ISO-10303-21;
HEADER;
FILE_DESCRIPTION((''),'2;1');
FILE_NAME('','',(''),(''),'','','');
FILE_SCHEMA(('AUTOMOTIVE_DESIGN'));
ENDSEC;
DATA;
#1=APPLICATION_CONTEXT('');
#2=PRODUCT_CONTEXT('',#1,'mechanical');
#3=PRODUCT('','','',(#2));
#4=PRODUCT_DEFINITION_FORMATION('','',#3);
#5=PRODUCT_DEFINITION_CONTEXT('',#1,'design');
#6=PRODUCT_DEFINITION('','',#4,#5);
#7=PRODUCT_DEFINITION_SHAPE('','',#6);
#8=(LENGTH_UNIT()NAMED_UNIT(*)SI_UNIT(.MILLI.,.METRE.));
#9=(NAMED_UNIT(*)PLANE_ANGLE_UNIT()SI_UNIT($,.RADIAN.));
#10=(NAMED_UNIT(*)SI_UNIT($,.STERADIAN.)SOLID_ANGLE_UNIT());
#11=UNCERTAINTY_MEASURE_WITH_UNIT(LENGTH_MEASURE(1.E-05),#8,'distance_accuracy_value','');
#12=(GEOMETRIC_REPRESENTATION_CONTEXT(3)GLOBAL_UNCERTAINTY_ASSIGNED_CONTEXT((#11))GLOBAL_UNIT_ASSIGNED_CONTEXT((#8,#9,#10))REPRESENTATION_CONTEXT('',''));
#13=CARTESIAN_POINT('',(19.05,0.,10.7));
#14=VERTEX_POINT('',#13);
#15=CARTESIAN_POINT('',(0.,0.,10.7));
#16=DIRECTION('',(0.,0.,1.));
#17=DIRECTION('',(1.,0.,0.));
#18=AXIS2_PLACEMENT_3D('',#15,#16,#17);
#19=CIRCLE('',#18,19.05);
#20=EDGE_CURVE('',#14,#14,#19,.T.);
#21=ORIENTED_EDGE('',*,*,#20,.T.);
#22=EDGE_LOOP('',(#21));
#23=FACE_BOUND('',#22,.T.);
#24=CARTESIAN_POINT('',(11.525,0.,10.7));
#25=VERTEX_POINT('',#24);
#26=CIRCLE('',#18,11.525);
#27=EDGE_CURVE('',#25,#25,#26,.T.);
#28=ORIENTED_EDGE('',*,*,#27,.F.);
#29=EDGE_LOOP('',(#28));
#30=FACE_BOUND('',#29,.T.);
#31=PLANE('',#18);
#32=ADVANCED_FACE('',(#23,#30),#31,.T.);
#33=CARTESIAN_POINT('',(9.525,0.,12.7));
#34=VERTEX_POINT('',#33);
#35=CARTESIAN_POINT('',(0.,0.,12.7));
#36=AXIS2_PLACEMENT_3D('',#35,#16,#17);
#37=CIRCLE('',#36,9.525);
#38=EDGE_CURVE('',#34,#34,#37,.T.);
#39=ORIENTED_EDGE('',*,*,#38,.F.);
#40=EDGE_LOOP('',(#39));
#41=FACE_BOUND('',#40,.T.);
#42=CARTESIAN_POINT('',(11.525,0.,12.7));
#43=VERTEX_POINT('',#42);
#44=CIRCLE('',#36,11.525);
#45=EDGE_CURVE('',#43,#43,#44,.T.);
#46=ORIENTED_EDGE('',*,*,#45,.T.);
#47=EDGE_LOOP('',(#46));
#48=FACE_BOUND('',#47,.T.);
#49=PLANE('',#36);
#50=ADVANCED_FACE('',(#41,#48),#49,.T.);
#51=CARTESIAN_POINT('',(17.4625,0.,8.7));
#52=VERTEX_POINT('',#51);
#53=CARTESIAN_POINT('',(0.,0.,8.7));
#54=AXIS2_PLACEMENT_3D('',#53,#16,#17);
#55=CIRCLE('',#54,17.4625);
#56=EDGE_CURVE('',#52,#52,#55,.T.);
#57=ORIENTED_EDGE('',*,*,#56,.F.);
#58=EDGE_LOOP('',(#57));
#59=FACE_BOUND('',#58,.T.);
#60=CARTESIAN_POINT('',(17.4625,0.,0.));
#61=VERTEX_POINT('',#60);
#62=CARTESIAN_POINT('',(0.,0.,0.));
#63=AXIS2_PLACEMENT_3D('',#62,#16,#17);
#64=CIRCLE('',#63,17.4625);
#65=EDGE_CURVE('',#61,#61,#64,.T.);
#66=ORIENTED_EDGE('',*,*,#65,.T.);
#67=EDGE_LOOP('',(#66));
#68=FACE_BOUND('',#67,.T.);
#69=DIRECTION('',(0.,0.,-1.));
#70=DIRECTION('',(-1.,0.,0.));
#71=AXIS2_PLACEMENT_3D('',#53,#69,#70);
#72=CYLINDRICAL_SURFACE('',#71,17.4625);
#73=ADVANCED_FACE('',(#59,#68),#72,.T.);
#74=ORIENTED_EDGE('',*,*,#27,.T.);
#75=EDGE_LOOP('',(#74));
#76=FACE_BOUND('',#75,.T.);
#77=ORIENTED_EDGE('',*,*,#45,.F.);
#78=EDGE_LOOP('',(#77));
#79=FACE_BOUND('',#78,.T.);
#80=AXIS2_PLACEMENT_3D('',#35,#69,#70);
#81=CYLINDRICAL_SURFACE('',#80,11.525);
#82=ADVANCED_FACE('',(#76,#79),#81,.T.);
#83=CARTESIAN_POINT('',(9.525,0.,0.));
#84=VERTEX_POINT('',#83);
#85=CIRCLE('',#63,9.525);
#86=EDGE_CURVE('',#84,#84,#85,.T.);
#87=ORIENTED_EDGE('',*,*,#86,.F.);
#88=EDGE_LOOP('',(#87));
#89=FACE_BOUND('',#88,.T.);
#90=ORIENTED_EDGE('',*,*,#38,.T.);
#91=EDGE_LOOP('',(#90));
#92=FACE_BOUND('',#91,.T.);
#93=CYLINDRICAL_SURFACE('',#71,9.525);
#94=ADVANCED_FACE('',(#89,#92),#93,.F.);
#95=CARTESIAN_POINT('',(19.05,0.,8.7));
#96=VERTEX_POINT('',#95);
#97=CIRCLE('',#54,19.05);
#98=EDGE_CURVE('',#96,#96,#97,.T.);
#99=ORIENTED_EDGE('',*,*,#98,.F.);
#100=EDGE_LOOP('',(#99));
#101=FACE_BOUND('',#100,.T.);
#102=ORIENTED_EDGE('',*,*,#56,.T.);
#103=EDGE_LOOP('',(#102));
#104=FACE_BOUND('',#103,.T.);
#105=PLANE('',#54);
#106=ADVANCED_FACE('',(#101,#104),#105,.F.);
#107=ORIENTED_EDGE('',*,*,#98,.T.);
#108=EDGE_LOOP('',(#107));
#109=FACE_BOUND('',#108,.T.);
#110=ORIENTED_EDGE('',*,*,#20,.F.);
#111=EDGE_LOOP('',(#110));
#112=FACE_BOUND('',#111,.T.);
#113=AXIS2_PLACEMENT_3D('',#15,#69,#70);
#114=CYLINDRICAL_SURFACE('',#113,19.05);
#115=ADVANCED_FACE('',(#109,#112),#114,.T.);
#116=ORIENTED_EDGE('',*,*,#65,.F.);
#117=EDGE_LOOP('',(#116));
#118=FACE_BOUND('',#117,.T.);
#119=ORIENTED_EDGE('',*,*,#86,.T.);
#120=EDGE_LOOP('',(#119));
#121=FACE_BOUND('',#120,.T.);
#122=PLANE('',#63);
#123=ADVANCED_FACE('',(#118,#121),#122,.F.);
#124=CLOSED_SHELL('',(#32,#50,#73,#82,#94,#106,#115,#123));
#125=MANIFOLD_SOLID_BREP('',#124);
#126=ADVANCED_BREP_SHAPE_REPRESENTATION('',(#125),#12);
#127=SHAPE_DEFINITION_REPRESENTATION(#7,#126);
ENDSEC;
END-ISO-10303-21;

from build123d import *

# Parameters (mm, degrees)
SKETCH1_R           = 17.4625
SKETCH1_R_2         = 9.525
BOSS_EXTRUDE1_DEPTH = 8.7
SKETCH2_R           = 19.05
SKETCH2_R_2         = 9.525
BOSS_EXTRUDE2_DEPTH = 2
SKETCH3_R           = 11.525
SKETCH3_R_2         = 9.525
BOSS_EXTRUDE3_DEPTH = 2


with BuildPart() as part:
    # Sketch1 → Boss-Extrude1 (new body)
    with BuildSketch(Plane.XY):
        Circle(SKETCH1_R)
        Circle(SKETCH1_R_2, mode=Mode.SUBTRACT)
    extrude(amount=BOSS_EXTRUDE1_DEPTH)

    # Sketch2 → Boss-Extrude2 (add)
    with BuildSketch(Plane.XY.offset(8.7)):
        Circle(SKETCH2_R)
        Circle(SKETCH2_R_2, mode=Mode.SUBTRACT)
    extrude(amount=BOSS_EXTRUDE2_DEPTH)

    # Sketch3 → Boss-Extrude3 (add)
    with BuildSketch(Plane.XY.offset(10.7)):
        Circle(SKETCH3_R)
        Circle(SKETCH3_R_2, mode=Mode.SUBTRACT)
    extrude(amount=BOSS_EXTRUDE3_DEPTH)


solid = part.part
